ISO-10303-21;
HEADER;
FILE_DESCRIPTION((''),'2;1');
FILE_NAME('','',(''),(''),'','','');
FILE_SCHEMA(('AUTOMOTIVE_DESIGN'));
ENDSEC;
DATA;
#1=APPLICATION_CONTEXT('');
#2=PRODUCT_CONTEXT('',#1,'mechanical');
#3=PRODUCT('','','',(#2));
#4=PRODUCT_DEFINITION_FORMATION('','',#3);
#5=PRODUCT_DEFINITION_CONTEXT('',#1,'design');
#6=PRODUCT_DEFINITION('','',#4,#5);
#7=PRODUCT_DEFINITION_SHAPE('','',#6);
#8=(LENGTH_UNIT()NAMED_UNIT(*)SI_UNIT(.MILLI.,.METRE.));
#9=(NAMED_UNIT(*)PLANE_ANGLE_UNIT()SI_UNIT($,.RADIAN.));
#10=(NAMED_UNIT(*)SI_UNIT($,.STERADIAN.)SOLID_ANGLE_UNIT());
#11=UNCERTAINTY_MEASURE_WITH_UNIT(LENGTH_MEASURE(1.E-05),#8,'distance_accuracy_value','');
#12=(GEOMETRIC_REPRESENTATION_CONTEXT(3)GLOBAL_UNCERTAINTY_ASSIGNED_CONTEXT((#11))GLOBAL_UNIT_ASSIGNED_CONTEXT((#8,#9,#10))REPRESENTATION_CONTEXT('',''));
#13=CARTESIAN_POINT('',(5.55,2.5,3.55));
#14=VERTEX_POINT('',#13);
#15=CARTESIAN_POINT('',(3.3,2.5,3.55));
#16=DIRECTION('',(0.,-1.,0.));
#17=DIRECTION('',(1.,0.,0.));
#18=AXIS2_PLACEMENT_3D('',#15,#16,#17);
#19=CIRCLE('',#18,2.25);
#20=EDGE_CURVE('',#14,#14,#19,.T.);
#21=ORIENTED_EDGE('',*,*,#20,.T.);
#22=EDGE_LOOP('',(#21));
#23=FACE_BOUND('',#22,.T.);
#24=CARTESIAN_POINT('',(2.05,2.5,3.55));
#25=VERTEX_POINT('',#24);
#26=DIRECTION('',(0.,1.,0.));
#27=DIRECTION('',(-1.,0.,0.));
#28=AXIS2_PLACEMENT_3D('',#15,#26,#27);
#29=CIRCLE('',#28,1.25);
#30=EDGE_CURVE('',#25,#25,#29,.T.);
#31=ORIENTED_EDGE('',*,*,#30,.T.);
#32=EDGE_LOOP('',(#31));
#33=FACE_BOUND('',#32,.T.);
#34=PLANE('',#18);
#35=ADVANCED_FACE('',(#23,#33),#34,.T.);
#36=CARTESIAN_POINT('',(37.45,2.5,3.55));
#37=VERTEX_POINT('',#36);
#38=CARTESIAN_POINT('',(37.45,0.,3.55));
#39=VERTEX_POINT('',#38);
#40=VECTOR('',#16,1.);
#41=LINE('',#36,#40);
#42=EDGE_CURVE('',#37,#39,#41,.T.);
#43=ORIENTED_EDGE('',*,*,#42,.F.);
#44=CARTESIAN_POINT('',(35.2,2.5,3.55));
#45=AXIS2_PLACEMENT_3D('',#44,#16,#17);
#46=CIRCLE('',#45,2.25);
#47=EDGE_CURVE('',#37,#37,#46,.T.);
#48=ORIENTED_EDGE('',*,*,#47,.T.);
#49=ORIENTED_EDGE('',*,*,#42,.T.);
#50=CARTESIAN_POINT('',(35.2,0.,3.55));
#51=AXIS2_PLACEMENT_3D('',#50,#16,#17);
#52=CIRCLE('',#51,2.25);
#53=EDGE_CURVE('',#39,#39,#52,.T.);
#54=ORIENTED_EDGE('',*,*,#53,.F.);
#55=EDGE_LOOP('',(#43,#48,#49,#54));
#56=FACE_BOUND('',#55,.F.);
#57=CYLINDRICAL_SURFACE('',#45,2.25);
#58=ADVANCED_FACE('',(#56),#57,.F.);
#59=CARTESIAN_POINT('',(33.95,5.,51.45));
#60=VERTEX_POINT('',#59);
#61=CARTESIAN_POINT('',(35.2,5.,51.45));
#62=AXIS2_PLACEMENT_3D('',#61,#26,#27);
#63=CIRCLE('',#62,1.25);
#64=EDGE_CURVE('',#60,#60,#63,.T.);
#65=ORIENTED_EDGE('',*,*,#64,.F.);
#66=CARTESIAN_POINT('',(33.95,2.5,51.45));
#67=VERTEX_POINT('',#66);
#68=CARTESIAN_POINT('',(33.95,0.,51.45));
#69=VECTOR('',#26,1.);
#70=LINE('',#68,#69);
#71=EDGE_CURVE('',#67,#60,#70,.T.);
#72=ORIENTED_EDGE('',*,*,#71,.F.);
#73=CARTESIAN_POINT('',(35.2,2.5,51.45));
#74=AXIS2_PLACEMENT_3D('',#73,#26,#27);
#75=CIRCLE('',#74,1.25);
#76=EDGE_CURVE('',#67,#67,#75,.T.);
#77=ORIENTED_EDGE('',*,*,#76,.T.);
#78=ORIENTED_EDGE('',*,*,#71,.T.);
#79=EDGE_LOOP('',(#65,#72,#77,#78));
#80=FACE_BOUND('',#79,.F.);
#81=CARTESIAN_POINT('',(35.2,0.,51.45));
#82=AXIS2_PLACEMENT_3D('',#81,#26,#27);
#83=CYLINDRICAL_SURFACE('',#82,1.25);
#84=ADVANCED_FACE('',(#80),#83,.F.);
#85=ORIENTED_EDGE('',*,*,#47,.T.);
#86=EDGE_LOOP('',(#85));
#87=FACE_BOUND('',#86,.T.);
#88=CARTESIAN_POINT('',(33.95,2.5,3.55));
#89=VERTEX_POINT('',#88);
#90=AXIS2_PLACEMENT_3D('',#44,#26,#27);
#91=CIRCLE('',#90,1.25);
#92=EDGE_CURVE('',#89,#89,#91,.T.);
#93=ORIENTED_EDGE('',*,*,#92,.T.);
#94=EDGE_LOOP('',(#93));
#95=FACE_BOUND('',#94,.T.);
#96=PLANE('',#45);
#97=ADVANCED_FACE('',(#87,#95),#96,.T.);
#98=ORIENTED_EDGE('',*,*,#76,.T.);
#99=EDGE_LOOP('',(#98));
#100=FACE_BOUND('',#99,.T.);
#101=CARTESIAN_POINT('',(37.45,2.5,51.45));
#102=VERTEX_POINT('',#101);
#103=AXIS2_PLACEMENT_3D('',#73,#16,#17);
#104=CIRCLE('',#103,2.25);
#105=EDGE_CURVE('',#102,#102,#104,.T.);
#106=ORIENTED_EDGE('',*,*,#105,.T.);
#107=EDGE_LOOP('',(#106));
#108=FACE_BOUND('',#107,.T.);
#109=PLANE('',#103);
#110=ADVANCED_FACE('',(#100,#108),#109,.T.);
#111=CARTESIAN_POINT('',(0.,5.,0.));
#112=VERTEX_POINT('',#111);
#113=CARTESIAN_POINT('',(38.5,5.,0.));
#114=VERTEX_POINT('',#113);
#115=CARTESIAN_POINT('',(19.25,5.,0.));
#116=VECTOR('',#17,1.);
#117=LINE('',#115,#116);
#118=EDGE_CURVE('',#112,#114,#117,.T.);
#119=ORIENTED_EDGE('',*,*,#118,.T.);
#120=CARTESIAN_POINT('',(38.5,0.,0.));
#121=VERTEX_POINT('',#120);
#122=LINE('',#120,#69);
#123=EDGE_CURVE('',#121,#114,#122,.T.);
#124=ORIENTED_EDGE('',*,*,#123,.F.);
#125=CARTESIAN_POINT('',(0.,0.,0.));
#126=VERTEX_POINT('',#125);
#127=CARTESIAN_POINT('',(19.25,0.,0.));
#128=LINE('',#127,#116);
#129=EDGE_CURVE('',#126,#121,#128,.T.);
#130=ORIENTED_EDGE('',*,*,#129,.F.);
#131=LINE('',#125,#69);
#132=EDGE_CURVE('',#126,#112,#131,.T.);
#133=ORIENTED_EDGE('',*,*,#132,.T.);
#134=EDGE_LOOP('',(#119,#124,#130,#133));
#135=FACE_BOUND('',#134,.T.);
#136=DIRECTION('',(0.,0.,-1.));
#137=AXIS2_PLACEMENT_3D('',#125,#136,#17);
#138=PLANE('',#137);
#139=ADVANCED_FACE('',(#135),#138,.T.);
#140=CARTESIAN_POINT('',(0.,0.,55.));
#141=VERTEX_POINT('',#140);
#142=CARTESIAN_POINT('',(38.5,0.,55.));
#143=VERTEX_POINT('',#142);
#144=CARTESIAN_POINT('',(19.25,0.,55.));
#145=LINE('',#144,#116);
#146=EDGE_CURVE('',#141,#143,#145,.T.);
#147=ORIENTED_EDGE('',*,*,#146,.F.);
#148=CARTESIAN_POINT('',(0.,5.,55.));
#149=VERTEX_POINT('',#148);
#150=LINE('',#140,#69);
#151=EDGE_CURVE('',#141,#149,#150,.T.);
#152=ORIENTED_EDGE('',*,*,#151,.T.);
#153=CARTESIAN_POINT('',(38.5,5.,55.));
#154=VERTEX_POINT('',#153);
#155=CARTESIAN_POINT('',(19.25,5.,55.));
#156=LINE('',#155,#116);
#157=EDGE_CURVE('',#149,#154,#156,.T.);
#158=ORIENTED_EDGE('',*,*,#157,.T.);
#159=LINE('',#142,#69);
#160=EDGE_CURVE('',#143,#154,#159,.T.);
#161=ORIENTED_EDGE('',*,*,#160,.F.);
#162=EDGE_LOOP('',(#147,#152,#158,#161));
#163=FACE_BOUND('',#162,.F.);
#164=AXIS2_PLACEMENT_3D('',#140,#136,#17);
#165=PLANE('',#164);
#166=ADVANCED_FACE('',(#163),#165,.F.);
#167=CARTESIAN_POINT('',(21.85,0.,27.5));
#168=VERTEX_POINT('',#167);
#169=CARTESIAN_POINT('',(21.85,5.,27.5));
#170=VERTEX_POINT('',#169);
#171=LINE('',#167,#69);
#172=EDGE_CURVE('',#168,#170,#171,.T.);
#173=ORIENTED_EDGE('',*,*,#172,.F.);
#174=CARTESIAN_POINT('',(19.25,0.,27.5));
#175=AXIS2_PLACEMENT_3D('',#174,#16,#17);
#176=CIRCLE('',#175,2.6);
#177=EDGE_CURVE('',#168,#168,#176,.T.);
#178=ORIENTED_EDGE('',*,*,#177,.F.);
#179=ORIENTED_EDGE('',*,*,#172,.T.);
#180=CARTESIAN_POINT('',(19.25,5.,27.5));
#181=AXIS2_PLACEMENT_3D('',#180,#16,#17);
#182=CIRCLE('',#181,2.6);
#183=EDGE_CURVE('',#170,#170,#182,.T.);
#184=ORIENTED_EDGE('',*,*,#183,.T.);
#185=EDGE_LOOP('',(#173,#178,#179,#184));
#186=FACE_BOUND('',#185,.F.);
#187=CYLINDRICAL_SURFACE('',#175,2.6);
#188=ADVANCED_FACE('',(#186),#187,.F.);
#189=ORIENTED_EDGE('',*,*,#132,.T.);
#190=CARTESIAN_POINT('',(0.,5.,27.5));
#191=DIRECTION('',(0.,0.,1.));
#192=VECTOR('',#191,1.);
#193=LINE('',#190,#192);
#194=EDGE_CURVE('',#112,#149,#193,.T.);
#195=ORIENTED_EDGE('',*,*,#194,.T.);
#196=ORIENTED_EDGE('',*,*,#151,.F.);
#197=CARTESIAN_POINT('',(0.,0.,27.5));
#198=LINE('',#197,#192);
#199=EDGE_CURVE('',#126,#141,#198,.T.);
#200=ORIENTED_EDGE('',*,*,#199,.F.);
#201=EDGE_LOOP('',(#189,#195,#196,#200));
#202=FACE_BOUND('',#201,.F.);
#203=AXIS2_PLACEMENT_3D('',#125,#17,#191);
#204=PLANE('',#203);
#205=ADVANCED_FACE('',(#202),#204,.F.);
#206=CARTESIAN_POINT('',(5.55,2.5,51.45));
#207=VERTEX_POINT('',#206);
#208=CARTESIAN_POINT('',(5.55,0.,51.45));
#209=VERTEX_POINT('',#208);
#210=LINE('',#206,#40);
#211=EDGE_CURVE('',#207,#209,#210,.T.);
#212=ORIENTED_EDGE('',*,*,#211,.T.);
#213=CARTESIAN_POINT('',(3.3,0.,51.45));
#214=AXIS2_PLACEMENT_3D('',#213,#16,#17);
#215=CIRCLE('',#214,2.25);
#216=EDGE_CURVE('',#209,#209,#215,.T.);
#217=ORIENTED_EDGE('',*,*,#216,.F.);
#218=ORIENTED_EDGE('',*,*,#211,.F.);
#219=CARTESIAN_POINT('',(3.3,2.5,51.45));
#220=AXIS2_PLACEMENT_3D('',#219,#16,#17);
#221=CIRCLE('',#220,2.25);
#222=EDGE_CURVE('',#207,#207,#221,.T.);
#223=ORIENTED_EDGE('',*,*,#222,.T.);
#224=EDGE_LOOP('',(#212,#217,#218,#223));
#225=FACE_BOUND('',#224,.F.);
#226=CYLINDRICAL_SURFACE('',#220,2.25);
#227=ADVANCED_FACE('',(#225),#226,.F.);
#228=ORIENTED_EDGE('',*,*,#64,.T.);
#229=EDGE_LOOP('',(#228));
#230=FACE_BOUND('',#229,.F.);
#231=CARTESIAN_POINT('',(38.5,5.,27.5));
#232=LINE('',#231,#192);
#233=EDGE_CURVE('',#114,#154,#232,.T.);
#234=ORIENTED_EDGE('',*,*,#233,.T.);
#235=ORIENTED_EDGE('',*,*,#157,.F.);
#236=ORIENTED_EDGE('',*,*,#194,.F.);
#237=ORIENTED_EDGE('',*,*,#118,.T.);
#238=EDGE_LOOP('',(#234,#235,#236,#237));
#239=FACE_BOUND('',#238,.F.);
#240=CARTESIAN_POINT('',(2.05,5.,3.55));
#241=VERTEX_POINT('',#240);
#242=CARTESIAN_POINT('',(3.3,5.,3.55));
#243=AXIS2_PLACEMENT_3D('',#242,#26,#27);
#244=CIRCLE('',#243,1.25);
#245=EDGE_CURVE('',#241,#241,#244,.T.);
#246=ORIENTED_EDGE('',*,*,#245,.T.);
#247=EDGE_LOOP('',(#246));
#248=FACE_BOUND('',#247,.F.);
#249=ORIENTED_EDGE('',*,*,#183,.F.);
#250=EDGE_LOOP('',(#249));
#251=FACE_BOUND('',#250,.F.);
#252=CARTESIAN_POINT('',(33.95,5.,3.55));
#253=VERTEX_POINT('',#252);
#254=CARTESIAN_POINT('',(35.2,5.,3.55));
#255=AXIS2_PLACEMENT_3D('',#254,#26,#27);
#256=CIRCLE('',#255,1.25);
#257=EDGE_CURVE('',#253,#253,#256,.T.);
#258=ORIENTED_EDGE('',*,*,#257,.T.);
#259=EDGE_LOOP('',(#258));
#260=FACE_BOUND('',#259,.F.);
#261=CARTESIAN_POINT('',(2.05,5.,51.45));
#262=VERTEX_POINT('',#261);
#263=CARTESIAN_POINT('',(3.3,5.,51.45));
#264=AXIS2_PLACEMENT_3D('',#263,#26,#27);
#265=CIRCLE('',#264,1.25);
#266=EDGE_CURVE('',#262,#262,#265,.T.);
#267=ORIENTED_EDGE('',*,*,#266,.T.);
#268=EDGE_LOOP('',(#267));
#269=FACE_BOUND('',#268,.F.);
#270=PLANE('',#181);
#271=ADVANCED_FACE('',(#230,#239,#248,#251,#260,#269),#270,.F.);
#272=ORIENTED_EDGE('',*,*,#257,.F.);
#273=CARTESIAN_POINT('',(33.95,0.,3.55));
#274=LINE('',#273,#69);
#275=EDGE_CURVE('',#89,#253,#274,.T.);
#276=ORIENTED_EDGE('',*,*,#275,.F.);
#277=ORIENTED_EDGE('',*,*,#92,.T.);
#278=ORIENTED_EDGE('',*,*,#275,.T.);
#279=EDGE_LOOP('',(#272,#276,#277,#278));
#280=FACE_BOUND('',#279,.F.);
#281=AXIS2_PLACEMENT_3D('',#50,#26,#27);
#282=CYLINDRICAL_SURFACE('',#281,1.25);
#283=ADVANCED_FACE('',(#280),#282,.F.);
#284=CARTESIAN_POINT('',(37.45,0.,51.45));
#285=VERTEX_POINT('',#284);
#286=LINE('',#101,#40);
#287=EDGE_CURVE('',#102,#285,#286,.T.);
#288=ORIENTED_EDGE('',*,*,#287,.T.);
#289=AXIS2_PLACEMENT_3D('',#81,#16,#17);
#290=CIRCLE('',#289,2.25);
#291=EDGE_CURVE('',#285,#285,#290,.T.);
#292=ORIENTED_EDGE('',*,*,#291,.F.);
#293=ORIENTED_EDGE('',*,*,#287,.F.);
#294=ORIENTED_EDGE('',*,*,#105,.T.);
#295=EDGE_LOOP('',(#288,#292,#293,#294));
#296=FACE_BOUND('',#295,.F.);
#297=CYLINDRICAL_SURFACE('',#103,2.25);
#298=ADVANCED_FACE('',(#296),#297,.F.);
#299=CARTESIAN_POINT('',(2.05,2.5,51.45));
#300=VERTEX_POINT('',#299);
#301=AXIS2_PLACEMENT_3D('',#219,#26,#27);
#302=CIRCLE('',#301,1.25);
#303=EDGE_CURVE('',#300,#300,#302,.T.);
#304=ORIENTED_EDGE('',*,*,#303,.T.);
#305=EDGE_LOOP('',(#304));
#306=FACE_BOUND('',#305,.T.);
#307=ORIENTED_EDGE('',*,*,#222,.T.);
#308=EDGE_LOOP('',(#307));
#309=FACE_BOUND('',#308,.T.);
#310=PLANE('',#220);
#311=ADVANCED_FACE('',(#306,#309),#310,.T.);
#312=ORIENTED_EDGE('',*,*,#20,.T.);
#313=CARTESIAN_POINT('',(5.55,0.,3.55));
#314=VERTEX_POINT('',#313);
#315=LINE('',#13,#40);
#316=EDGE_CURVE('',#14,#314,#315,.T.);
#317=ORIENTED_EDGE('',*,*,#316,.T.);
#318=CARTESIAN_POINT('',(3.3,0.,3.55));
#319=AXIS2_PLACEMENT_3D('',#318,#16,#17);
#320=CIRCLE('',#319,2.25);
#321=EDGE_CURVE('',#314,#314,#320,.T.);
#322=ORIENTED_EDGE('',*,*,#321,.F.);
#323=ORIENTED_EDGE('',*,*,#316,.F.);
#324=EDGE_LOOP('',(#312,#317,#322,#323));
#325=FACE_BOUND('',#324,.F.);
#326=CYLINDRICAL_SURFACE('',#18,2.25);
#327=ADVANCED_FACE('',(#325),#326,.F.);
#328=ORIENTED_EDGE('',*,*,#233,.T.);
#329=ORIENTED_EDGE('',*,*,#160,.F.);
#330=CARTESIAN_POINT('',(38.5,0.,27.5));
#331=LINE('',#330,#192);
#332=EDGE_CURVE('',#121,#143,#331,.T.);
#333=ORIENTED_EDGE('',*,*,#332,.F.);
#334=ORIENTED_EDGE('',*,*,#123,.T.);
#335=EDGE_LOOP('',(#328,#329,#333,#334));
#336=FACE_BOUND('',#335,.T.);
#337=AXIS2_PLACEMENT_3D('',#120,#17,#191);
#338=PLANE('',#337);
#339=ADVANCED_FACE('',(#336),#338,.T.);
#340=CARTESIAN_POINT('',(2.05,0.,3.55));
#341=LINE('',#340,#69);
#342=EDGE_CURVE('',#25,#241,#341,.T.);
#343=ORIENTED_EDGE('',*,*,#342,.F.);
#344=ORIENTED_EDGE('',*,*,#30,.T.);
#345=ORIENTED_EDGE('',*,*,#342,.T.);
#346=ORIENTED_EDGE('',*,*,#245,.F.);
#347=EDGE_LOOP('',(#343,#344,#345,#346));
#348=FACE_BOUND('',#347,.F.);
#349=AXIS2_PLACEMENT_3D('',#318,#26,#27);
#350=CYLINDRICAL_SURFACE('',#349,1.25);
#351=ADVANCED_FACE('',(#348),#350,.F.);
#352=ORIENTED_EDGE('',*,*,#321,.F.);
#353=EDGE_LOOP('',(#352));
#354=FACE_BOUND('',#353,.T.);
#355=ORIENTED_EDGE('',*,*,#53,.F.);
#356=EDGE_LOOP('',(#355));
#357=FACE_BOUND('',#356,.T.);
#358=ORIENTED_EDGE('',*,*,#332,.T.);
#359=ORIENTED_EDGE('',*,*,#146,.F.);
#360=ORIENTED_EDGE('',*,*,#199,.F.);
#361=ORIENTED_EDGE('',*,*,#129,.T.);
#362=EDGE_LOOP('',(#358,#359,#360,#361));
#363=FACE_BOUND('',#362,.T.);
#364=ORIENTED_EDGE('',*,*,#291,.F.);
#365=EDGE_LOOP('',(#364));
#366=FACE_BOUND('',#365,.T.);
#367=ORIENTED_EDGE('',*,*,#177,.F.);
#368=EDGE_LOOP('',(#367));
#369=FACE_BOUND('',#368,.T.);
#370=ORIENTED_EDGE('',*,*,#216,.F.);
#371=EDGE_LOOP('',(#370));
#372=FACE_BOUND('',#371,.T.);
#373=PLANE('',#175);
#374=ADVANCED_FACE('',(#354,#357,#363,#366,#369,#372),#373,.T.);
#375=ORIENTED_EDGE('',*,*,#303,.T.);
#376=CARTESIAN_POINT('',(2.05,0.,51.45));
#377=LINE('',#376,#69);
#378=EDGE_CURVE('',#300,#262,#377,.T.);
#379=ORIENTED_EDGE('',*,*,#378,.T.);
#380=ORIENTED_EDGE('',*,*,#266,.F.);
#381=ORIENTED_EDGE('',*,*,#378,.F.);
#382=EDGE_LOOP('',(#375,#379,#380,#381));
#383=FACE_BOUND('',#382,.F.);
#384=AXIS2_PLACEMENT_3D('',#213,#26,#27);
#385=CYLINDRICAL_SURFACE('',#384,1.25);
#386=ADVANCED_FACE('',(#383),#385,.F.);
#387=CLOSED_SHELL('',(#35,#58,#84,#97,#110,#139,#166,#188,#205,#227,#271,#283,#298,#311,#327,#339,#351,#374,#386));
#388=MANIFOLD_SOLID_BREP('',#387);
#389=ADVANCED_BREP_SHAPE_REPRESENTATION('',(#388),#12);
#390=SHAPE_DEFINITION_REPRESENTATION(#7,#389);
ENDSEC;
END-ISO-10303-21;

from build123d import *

# Parameters (mm, degrees)
F0_W           = 38.5
F0_H           = 55
F0_R           = 2.6
F1_DEPTH       = 5
F2_D           = 2.5
F2_CBORE_D     = 4.5
F2_CBORE_DEPTH = 2.5


with BuildPart() as f1:
    # F0 (on Front) → F1 (new body)
    with BuildSketch(Plane.XZ):
        with Locations((19.25, 27.5)):
            Rectangle(F0_W, F0_H)
        with Locations((19.25, 27.5)):
            Circle(F0_R, mode=Mode.SUBTRACT)
    extrude(amount=-F1_DEPTH)

    # F2 (through all)
    with Locations(Plane.XZ):
        with Locations((3.3, 3.55), (35.2, 3.55), (35.2, 51.45), (3.3, 51.45)):
            CounterBoreHole(F2_D / 2, F2_CBORE_D / 2, F2_CBORE_DEPTH)


solid = f1.part
